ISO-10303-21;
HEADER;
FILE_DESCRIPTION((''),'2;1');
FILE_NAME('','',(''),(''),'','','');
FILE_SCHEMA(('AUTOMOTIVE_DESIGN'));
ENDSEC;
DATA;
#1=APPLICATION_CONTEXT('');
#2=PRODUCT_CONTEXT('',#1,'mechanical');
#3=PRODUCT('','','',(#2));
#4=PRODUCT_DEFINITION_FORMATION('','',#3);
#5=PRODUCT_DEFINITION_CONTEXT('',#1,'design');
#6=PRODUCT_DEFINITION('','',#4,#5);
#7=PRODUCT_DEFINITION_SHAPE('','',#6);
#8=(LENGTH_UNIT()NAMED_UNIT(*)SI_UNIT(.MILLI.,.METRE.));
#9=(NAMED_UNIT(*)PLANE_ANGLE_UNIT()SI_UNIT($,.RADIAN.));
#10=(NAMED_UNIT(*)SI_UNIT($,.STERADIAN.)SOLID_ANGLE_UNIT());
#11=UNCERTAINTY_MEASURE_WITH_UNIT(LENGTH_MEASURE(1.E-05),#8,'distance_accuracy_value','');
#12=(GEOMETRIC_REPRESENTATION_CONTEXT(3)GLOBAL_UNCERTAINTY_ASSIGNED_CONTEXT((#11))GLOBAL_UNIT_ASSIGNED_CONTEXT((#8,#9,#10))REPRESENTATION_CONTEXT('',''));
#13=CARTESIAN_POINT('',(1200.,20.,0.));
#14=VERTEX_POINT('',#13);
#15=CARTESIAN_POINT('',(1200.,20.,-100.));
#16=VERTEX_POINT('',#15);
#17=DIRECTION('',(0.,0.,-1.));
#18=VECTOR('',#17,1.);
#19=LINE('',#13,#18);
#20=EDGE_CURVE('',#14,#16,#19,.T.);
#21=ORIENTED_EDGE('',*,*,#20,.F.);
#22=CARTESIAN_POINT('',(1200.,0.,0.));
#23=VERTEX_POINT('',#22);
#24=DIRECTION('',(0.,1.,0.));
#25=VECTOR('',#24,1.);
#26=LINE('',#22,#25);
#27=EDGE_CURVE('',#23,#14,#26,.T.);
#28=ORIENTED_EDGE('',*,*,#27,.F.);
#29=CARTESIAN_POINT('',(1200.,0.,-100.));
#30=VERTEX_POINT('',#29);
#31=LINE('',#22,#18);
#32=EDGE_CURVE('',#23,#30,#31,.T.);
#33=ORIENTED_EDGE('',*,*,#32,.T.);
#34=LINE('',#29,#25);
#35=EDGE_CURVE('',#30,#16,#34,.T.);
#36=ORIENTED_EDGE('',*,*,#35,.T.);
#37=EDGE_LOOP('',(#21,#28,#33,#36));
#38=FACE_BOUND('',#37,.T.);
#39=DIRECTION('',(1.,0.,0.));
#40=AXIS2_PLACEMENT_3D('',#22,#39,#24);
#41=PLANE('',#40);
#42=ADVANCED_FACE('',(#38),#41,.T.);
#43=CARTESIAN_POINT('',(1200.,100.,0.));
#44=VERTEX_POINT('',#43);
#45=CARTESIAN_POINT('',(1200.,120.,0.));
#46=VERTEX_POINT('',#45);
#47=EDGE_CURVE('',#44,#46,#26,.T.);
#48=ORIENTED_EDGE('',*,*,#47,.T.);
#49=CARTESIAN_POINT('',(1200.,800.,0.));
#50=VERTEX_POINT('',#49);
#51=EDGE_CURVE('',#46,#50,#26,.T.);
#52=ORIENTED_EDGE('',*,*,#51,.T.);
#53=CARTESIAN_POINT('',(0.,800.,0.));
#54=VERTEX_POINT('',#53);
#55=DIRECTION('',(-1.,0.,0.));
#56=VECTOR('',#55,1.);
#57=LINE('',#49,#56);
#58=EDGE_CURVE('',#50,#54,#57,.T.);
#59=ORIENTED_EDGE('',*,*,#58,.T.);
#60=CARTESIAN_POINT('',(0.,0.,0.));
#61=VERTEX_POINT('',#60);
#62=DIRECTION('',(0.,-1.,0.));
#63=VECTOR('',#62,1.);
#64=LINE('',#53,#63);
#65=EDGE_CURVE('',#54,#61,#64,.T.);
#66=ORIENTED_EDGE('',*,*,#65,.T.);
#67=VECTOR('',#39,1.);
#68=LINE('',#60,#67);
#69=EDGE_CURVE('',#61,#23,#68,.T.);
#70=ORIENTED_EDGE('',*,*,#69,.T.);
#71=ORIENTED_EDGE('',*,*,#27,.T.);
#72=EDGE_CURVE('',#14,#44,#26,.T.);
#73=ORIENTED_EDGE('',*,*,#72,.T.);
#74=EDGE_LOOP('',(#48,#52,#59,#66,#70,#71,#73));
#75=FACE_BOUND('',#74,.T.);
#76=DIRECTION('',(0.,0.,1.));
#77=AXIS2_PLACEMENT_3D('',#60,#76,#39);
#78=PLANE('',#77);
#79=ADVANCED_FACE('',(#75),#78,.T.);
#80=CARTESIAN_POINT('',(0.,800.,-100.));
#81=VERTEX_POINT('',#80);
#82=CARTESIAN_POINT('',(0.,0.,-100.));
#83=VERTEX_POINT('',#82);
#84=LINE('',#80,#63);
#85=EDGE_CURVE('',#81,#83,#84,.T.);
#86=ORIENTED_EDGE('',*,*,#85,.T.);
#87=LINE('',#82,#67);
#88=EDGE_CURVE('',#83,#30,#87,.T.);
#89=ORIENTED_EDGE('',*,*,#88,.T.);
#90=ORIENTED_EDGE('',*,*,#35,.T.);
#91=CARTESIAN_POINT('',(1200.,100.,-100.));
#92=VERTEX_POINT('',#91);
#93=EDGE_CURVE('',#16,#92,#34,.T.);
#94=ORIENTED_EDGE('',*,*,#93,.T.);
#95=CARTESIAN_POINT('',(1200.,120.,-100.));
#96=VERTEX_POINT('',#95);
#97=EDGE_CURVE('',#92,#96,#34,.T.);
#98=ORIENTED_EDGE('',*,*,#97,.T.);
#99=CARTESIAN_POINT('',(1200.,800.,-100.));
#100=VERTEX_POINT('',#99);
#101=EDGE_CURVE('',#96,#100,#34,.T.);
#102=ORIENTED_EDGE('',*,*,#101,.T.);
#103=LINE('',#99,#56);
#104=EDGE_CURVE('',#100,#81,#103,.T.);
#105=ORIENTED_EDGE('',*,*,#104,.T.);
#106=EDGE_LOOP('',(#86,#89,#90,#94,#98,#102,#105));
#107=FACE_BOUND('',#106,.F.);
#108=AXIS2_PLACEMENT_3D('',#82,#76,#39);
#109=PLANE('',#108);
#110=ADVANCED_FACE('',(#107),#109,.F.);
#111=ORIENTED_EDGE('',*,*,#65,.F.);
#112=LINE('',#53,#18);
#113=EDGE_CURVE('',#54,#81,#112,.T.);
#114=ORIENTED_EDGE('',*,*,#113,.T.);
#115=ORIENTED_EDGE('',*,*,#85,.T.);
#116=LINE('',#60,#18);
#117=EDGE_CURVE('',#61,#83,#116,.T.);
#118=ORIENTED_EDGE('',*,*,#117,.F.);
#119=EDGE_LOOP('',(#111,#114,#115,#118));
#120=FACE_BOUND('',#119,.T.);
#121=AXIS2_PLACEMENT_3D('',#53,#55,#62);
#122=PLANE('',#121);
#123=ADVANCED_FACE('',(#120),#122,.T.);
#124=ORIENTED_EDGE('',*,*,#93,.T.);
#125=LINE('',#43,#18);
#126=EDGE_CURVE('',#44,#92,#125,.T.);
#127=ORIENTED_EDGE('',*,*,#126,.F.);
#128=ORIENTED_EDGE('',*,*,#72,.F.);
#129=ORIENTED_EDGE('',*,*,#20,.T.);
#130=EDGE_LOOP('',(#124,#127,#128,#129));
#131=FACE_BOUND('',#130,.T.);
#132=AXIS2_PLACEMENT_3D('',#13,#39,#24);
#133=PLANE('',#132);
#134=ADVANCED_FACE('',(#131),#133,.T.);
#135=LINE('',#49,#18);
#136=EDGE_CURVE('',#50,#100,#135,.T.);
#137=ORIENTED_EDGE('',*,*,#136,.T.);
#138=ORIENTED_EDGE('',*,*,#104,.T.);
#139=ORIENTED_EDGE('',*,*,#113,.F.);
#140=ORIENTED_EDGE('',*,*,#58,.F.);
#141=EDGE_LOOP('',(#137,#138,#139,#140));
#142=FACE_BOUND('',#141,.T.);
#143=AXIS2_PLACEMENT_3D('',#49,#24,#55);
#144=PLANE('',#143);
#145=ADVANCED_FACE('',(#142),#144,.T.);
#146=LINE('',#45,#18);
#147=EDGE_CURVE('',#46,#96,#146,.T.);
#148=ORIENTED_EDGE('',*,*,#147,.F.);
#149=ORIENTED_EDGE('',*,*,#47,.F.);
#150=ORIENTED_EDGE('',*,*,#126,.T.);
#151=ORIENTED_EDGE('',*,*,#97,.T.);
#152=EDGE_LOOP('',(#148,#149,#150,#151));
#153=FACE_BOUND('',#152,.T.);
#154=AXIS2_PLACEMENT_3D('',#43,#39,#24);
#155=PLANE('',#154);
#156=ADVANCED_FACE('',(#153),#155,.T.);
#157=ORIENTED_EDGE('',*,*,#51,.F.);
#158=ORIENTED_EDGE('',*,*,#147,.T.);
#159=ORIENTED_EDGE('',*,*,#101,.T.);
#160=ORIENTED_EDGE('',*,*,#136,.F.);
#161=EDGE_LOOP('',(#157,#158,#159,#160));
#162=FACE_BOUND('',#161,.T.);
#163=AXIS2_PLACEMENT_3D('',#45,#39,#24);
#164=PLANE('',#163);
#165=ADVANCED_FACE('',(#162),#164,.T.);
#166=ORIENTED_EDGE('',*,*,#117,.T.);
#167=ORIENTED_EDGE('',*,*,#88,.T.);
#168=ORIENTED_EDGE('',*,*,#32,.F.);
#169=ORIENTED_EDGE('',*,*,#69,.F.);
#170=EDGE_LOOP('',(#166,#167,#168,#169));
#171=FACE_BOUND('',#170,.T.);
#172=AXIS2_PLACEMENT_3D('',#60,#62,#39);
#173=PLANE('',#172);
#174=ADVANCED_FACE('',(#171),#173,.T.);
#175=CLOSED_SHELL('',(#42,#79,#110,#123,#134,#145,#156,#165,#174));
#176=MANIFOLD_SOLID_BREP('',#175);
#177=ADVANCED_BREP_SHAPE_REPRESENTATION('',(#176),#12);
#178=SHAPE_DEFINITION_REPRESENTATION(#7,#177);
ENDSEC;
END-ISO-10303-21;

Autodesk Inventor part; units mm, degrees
ref_plane "YZ Plane" through (0, 0, 0) normal (1, 0, 0) x (0, 1, 0)
ref_plane "XZ Plane" through (0, 0, 0) normal (0, 1, 0) x (-1, 0, 0)
ref_plane "XY Plane" through (0, 0, 0) normal (0, 0, 1) x (1, 0, 0)
sketch "Sketch5" plane through (0, 0, 0) normal (0, 0, 1) x (1, 0, 0)
  line L0 (0, 0) -> (1200, 0)
  line L1 (1200, 0) -> (1200, 800)
  line L2 (1200, 800) -> (0, 800)
  line L3 (0, 800) -> (0, 0)
  line L4 (1200, 0) -> (1200, 100)
  line L5 (1200, 0) -> (1200, 20)
  line L6 (1200, 20) -> (1200, 120)
  line L7 (0, 0) -> (0, 20) construction
  line L8 (0, 20) -> (0, 120) construction
  line L9 (0, 800) -> (0, 780) construction
  line L10 (0, 680) -> (0, 780) construction
  line L11 (1200, 800) -> (1200, 780) construction
  line L12 (0, 0) -> (0, 100) construction
  line L13 (0, 100) -> (100, 100) construction
  line L14 (100, 100) -> (100, 0) construction
  line L15 (100, 0) -> (0, 0) construction
  circle A0 centre (50, 50) radius 50 construction
  dimension "d12" = 1200
  dimension "d13" = 800
  dimension "d37" = 100
  dimension "d38" = 100
  dimension "d39" = 100
  dimension "d40" = 100
extrude "Extrusion4" add sketch "Sketch5" against normal blind 100
properties part number "BaseMini" material "Concrete"
